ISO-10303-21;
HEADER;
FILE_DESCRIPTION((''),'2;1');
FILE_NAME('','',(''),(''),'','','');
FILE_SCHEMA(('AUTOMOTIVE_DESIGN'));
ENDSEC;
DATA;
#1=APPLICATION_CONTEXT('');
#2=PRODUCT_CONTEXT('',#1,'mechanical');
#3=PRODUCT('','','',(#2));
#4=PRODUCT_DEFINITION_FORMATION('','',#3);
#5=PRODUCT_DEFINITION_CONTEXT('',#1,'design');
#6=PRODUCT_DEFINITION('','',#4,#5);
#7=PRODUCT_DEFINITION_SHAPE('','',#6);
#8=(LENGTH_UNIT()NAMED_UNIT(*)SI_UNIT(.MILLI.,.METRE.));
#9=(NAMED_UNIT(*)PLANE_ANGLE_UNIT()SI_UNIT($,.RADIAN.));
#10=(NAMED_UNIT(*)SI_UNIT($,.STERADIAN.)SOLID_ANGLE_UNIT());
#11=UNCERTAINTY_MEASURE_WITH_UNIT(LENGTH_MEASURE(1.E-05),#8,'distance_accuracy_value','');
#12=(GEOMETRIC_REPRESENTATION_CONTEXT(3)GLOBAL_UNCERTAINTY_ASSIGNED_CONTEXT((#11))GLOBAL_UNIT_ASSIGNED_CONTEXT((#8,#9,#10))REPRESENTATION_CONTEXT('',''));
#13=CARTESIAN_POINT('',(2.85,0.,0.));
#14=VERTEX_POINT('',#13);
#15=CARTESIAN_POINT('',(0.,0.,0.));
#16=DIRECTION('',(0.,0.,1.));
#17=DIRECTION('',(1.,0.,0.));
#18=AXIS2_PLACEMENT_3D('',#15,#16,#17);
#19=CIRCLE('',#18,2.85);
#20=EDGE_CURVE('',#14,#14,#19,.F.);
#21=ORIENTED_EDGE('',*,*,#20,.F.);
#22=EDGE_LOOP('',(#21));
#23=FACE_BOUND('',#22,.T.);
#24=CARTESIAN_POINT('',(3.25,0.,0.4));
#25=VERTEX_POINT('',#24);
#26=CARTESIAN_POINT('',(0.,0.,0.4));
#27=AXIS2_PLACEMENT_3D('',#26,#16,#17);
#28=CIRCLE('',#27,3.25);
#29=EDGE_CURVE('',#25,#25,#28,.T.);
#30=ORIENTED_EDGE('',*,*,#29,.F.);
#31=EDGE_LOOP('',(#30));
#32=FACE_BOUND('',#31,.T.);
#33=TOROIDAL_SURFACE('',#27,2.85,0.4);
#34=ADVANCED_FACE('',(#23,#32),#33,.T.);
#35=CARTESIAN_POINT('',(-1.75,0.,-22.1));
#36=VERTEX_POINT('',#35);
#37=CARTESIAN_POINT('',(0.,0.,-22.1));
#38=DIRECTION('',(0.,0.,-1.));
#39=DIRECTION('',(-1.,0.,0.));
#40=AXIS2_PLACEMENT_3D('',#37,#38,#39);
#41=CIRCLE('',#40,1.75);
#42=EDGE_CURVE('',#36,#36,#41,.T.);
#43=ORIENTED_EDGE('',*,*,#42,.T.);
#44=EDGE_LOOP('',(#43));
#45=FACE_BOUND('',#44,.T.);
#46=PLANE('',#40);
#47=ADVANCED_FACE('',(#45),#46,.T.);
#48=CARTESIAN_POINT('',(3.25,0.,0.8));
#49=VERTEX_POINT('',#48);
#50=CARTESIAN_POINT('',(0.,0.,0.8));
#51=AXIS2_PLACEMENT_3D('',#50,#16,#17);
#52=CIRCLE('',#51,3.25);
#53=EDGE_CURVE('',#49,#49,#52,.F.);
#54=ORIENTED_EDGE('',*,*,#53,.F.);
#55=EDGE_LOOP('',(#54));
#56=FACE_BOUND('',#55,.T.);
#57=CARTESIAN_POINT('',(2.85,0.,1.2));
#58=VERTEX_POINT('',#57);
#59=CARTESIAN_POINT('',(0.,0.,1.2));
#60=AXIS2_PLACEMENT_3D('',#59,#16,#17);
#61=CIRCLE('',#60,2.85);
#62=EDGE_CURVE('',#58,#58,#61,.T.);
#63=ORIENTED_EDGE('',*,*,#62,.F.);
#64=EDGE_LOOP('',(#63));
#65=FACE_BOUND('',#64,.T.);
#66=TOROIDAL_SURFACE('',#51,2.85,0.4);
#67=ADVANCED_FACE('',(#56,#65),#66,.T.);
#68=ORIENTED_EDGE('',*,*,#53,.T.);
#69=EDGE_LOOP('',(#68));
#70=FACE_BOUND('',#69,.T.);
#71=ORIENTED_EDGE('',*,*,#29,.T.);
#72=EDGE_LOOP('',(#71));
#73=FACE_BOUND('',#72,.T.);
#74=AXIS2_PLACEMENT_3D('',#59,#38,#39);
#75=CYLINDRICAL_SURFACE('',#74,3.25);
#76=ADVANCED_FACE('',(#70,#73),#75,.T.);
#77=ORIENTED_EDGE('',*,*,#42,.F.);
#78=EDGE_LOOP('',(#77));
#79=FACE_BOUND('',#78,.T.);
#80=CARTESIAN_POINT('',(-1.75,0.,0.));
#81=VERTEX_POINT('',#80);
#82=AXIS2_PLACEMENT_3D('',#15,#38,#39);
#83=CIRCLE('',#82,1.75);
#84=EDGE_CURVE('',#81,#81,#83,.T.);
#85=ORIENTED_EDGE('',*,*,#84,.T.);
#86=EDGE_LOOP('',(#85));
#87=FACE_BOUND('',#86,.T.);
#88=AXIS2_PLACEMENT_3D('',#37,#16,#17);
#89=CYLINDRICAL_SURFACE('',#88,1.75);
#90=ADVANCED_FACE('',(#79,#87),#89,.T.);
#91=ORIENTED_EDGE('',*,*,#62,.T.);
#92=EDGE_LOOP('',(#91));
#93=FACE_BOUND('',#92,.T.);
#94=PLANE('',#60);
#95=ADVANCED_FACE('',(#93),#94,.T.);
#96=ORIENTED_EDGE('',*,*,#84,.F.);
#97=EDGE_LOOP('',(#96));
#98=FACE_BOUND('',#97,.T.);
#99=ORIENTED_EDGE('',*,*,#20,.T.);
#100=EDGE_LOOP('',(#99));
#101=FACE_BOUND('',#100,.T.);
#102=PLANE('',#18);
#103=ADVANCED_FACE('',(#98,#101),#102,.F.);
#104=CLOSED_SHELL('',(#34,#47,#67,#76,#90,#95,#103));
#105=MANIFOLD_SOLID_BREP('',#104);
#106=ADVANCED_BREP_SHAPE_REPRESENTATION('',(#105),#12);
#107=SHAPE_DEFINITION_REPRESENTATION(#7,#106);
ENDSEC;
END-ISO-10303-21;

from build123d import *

# Parameters (mm, degrees)
CROQUIS1_R              = 3.25
SALIENTE_EXTRUIR1_DEPTH = 1.2
CROQUIS2_R              = 1.75
SALIENTE_EXTRUIR2_DEPTH = 22.1
REDONDEO2_R             = 0.4


with BuildPart() as part:
    # Croquis1 → Saliente-Extruir1 (new body)
    with BuildSketch(Plane.XY):
        Circle(CROQUIS1_R)
    extrude(amount=SALIENTE_EXTRUIR1_DEPTH)

    # Croquis2 → Saliente-Extruir2 (add)
    with BuildSketch(Plane(origin=(0, 0, 0), x_dir=(-1, 0, 0), z_dir=(0, 0, -1))):
        Circle(CROQUIS2_R)
    extrude(amount=SALIENTE_EXTRUIR2_DEPTH)

    # Redondeo2
    redondeo2_edges = [part.edges().sort_by_distance(p)[0] for p in [
        (-3.25, 0, 0),
        (-3.25, 0, 1.2),
    ]]
    fillet(redondeo2_edges, radius=REDONDEO2_R)


solid = part.part
